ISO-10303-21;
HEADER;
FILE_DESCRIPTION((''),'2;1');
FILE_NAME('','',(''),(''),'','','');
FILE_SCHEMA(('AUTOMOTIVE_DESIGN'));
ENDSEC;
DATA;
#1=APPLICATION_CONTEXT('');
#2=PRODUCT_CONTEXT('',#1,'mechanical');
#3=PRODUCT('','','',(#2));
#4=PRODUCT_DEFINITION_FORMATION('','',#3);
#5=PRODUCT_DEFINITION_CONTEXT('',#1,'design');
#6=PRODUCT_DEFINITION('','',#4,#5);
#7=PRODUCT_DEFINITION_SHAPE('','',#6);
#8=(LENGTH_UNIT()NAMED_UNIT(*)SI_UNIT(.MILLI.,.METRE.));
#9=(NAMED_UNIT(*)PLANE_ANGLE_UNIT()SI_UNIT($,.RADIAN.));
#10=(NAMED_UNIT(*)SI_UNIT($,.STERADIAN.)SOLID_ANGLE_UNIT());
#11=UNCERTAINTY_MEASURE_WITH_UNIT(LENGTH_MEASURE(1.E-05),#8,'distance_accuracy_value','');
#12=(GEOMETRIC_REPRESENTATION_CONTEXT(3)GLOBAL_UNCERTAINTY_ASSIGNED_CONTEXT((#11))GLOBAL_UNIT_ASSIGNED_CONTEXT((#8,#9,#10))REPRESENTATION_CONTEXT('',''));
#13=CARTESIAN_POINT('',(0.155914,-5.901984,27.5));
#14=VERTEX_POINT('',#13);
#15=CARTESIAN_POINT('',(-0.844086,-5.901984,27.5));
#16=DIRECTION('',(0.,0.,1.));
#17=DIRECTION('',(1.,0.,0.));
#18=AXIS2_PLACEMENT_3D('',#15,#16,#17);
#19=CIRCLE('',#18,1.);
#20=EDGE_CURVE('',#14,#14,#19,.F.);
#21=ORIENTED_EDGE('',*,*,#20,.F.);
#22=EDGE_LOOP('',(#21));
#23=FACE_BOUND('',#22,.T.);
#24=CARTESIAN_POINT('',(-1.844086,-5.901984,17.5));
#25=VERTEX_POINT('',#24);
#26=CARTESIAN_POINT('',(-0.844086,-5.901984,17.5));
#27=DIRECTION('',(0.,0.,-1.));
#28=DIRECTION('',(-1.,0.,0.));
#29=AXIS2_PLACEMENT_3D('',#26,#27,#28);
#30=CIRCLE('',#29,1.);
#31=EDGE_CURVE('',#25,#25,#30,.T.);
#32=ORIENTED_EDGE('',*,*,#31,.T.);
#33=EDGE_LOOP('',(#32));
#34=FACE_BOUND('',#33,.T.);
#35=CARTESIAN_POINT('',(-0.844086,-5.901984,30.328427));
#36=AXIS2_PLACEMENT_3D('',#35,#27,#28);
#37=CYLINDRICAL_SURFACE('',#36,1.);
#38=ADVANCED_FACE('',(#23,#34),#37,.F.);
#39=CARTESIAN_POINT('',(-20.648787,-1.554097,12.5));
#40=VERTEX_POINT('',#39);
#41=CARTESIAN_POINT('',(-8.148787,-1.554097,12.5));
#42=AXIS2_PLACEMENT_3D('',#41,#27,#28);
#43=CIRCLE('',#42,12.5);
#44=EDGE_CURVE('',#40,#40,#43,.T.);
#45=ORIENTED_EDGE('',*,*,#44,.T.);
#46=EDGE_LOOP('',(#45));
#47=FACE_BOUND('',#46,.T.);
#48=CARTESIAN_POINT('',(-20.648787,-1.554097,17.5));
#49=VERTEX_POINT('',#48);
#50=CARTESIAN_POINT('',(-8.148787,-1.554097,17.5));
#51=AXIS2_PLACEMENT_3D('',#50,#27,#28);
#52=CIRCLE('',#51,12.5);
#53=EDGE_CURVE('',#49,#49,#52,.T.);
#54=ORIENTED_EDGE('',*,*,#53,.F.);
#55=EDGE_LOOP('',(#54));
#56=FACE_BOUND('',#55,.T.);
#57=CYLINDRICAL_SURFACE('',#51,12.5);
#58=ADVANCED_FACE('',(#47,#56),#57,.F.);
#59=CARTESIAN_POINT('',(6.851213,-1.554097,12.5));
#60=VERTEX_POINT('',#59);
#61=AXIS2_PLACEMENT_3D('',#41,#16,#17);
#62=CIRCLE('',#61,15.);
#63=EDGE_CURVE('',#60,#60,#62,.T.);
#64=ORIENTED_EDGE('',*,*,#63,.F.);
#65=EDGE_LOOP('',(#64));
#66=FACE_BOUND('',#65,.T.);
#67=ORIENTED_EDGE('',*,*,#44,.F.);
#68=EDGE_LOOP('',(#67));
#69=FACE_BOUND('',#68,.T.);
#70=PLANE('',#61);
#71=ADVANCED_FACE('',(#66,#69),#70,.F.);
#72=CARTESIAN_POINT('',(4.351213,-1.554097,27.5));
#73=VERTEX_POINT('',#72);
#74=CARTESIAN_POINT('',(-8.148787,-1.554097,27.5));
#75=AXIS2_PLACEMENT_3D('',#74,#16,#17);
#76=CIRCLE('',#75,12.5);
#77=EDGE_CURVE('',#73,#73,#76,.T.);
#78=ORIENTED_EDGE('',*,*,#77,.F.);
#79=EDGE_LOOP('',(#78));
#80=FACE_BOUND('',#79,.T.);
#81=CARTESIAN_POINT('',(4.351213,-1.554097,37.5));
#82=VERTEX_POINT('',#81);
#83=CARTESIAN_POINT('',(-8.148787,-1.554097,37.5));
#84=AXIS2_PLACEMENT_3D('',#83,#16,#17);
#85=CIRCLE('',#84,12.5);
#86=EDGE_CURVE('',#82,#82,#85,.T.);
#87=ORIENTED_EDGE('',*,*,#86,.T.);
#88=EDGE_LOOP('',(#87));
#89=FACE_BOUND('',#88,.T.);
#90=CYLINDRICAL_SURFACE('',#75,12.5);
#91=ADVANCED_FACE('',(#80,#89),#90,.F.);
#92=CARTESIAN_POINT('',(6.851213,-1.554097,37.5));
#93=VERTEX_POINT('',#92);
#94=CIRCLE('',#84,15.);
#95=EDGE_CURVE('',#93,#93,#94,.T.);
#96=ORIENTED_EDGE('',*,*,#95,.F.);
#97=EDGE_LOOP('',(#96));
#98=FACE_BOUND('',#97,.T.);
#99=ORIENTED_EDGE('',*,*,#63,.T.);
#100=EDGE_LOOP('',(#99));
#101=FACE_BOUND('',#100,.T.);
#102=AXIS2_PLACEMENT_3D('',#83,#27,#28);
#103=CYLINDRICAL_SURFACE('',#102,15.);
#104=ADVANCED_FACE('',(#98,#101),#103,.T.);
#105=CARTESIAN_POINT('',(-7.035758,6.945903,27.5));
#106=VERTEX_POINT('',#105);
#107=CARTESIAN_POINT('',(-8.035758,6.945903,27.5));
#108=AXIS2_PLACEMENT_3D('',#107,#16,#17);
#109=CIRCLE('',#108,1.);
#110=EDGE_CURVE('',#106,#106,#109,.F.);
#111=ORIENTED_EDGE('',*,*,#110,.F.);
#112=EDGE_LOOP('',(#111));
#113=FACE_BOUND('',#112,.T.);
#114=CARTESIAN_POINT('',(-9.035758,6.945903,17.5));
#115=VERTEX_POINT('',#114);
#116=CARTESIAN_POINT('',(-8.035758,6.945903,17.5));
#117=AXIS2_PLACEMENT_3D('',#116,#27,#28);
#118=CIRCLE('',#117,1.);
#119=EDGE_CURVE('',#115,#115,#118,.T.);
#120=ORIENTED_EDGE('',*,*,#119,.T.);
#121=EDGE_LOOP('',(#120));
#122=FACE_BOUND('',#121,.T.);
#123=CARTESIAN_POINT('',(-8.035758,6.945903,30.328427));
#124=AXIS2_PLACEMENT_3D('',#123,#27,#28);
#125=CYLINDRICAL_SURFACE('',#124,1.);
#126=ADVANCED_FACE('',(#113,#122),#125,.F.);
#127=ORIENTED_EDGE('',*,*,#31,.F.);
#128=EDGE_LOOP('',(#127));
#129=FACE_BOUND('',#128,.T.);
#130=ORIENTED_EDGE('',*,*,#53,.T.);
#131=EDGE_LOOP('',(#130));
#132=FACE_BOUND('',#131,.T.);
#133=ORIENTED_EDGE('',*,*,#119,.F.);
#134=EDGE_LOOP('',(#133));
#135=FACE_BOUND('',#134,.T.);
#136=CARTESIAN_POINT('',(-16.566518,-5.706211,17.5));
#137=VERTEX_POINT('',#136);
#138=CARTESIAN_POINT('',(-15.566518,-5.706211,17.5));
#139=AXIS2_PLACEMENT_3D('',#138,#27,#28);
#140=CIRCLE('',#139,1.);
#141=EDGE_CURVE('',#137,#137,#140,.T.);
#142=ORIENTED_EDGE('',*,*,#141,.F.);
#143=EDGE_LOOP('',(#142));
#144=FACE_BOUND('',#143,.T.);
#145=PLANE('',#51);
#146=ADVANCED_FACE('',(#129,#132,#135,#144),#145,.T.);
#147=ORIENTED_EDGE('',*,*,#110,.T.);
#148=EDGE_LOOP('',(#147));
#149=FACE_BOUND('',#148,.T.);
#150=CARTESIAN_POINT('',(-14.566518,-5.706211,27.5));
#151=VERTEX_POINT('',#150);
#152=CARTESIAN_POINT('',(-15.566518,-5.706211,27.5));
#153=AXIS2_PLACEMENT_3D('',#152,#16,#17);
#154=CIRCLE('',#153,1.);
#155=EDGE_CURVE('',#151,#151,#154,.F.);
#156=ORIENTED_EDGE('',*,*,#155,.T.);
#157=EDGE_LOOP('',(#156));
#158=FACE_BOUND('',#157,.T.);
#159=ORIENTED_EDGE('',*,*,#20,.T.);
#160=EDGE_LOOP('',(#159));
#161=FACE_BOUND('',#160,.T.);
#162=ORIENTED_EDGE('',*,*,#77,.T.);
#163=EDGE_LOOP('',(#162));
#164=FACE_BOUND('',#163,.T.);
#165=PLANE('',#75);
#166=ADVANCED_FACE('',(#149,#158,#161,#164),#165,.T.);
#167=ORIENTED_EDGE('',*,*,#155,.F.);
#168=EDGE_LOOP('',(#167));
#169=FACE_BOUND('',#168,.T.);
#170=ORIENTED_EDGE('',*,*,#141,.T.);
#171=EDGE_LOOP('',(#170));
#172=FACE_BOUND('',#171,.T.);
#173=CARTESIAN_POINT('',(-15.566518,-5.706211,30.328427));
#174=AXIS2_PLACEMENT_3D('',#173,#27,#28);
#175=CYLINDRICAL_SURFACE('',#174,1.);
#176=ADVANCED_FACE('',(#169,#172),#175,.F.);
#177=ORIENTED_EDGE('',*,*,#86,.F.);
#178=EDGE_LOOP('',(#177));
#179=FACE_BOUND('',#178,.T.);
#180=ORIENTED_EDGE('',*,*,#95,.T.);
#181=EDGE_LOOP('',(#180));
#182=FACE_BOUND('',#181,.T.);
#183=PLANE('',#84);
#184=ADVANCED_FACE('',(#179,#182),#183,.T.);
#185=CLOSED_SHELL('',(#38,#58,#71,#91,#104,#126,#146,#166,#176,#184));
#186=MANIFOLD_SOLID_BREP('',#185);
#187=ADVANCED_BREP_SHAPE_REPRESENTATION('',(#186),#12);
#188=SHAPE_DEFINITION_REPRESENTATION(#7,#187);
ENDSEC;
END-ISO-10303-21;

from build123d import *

# Parameters (mm, degrees)
IZIM1_R                     = 30
Y_KSEKLIK_EKSTR_ZYON1_DEPTH = 50
SCALE1_SCALE                = 0.5
SKETCH2_R                   = 12.5
CUT_EXTRUDE1_DEPTH          = 5
CUT_EXTRUDE2_START          = -10
SKETCH3_R                   = 12.5
CUT_EXTRUDE2_DEPTH          = 10
SKETCH4_R                   = 1
CUT_EXTRUDE3_DEPTH          = 10


with BuildPart() as part:
    # Çizim1 → Yükseklik-Ekstrüzyon1 (new body)
    with BuildSketch(Plane.XY):
        with Locations((-8.148787303, -1.554097453)):
            Circle(IZIM1_R)
    extrude(amount=Y_KSEKLIK_EKSTR_ZYON1_DEPTH)


with BuildPart() as part_1:
    # Scale1: scaled about (-8.148787303, -1.554097453, 25)
    add(part.part.scale(SCALE1_SCALE).moved(Location((-4.074393652, -0.777048727, 12.5))))

    # Sketch2 → Cut-Extrude1 (cut)
    with BuildSketch(Plane(origin=(0, 0, 12.5), x_dir=(-1, 0, 0), z_dir=(0, 0, -1))):
        with Locations((8.148787303, -1.554097453)):
            Circle(SKETCH2_R)
    extrude(amount=-CUT_EXTRUDE1_DEPTH, mode=Mode.SUBTRACT)

    # Sketch3 → Cut-Extrude2 (cut)
    with BuildSketch(Plane.XY.offset(37.5).offset(CUT_EXTRUDE2_START)):
        with Locations(Location((-8.148787303, -1.554097453, 0), (0, 0, 180))):
            Circle(SKETCH3_R)
    extrude(amount=CUT_EXTRUDE2_DEPTH, mode=Mode.SUBTRACT)

    # Sketch4 → Cut-Extrude3 (cut)
    with BuildSketch(Plane(origin=(0, 0, 17.5), x_dir=(-1, 0, 0), z_dir=(0, 0, -1))):
        with Locations((15.566518124, -5.706210793)):
            Circle(SKETCH4_R)
        with Locations((0.84408626, -5.901984113)):
            Circle(SKETCH4_R)
        with Locations((8.035757524, 6.945902547)):
            Circle(SKETCH4_R)
    extrude(amount=-CUT_EXTRUDE3_DEPTH, mode=Mode.SUBTRACT)


solid = part_1.part
